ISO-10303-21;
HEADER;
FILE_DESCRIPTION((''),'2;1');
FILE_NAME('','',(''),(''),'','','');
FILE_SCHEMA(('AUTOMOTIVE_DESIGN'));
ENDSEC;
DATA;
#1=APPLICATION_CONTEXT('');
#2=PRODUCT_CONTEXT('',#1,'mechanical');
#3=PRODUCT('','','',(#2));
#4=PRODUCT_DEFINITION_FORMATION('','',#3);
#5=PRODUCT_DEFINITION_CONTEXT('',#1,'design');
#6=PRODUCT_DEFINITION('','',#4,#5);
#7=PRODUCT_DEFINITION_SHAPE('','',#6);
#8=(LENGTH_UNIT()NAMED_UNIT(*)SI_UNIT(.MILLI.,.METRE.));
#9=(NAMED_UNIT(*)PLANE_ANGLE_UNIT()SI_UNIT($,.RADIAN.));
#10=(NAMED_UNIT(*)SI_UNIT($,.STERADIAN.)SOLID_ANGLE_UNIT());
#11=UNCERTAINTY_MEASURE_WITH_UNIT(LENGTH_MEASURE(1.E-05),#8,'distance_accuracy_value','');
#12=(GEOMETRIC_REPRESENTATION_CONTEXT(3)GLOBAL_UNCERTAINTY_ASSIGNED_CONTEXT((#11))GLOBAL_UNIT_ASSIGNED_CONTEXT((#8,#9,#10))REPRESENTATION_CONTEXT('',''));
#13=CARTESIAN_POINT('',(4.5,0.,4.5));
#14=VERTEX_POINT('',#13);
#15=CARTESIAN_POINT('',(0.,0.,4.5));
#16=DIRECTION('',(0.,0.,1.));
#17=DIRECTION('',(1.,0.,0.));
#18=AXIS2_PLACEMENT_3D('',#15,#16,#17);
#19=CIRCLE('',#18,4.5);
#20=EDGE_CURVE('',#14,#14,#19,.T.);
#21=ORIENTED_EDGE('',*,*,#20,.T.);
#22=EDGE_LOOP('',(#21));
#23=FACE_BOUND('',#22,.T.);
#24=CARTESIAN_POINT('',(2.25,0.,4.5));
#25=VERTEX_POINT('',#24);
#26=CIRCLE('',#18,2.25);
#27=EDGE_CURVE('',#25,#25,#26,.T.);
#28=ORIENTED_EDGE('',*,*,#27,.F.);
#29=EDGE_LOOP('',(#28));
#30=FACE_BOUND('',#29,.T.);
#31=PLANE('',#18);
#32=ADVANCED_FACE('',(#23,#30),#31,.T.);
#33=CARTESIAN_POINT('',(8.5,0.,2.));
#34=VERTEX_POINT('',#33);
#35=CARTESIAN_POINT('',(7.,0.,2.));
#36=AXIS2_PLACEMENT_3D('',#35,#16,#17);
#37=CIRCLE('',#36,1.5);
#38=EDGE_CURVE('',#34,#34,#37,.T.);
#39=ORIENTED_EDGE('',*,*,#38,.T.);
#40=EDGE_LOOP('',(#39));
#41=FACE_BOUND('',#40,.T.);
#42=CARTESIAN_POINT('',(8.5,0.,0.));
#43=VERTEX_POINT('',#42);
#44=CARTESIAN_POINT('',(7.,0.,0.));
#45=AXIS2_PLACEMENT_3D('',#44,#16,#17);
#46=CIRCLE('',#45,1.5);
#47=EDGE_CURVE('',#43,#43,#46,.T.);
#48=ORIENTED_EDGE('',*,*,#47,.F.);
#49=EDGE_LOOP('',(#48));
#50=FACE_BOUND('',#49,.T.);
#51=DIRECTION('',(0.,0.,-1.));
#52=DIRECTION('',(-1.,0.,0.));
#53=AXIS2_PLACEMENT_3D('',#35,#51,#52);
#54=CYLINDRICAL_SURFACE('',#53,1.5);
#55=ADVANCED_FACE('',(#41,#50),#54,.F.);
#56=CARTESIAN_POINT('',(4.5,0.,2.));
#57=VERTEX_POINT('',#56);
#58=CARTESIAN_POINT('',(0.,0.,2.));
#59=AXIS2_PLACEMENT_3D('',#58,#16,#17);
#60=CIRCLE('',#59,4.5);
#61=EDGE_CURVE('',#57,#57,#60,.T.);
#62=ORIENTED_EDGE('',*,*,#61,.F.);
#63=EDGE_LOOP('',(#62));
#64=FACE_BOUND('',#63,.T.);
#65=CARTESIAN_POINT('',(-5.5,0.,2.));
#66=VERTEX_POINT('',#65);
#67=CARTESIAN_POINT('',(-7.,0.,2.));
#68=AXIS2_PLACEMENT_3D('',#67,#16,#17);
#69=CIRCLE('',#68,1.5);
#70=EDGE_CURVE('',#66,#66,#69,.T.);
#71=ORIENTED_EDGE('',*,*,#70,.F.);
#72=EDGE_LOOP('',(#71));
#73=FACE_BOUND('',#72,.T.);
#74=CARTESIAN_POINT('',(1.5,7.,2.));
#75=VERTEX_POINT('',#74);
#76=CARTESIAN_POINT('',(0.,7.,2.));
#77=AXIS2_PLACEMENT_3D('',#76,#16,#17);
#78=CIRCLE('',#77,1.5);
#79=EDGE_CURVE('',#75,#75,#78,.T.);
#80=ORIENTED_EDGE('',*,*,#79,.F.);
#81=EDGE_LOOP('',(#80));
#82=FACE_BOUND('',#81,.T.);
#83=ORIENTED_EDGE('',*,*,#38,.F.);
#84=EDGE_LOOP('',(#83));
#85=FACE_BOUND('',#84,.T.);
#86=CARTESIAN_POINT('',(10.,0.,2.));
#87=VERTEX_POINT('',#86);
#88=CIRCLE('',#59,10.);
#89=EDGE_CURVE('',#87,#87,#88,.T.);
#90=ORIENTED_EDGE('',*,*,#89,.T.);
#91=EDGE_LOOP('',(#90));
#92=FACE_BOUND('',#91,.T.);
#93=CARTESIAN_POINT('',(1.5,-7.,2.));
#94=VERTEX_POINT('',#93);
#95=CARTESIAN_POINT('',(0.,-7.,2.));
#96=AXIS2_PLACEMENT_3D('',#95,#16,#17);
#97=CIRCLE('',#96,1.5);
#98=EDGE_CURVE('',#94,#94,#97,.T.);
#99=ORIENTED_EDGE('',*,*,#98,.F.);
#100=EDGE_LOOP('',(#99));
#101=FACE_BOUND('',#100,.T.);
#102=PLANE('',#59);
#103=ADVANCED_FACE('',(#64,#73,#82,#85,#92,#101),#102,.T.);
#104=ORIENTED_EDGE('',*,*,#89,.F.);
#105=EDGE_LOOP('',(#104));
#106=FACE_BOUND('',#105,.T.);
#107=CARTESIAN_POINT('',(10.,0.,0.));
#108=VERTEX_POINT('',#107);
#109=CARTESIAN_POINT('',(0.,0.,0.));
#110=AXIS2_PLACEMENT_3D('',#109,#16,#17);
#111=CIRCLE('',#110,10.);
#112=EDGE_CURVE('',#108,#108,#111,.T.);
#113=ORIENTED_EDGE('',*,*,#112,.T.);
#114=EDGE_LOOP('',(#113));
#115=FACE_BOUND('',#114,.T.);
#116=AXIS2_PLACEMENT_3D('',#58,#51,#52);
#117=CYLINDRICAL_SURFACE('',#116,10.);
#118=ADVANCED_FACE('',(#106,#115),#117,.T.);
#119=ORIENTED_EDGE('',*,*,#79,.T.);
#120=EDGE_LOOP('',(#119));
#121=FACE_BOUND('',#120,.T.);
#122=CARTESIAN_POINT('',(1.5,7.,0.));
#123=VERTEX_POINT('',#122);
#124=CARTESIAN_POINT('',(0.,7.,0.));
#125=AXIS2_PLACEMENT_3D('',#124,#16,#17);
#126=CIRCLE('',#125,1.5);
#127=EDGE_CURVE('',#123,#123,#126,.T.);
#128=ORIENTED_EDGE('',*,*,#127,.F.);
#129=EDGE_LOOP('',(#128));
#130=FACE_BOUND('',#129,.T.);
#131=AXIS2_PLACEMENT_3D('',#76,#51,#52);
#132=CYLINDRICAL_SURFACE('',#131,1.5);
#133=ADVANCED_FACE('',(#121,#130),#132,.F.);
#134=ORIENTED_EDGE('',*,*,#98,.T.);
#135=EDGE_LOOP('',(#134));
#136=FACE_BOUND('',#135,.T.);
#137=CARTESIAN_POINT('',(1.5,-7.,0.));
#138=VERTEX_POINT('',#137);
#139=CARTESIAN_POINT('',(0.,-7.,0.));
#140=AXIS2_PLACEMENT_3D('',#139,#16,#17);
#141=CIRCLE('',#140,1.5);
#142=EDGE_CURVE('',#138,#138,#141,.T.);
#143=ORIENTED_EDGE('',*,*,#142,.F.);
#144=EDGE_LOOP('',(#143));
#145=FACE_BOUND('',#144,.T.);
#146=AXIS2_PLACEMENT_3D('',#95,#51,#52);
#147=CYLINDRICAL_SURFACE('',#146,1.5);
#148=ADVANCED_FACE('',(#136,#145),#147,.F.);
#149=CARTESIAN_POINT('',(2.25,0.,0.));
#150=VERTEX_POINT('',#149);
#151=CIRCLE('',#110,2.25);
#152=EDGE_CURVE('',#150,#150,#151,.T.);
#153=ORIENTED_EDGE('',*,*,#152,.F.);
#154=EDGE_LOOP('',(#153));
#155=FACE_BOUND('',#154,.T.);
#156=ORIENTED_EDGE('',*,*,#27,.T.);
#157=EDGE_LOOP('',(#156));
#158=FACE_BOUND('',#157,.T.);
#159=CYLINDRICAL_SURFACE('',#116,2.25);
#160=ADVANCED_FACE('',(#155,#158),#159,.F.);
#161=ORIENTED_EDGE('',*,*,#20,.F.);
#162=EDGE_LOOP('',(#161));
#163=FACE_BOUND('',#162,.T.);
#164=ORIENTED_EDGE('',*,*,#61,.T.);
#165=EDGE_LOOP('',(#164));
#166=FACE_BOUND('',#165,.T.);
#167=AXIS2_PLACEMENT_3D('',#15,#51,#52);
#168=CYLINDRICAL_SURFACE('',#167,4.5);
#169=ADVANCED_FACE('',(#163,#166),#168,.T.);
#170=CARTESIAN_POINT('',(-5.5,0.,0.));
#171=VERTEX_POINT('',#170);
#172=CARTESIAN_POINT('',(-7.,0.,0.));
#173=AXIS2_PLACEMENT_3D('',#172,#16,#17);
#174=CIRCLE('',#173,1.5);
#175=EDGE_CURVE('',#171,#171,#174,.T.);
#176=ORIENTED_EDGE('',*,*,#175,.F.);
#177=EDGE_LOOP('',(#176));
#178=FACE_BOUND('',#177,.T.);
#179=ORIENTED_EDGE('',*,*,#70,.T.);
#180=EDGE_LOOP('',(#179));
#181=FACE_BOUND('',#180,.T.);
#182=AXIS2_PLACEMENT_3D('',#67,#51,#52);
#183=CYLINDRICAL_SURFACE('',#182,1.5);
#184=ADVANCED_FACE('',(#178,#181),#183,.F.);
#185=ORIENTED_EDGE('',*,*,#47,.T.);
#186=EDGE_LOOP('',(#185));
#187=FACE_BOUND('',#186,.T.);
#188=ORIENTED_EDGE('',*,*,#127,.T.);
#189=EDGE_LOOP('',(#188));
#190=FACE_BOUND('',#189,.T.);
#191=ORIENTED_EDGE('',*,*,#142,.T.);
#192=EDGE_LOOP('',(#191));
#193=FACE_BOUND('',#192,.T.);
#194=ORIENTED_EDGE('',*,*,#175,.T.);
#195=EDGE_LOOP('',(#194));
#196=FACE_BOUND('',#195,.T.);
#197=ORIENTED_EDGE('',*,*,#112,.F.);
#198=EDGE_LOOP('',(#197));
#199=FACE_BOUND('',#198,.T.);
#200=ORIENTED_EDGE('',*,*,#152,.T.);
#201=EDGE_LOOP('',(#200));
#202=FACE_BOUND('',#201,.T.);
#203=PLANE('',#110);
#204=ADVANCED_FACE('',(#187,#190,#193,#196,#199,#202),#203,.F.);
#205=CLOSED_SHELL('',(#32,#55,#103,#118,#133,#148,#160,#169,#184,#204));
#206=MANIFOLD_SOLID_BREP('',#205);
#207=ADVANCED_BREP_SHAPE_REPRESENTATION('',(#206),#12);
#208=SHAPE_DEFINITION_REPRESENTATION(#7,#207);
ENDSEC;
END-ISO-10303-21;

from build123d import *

# Parameters (mm, degrees)
SKETCH_1_R      = 10
SKETCH_1_R_2    = 2.25
SKETCH_1_R_3    = 1.5
EXTRUDE_1_DEPTH = 2
SKETCH_2_R      = 4.5
SKETCH_2_R_2    = 2.25
EXTRUDE_2_DEPTH = 2.5


with BuildPart() as part:
    # 草图1 → 凸台-拉伸1 (new body)
    with BuildSketch(Plane.XY):
        Circle(SKETCH_1_R)
        Circle(SKETCH_1_R_2, mode=Mode.SUBTRACT)
        with Locations((7, 0)):
            Circle(SKETCH_1_R_3, mode=Mode.SUBTRACT)
        with Locations((0, -7)):
            Circle(SKETCH_1_R_3, mode=Mode.SUBTRACT)
        with Locations((-7, 0)):
            Circle(SKETCH_1_R_3, mode=Mode.SUBTRACT)
        with Locations((0, 7)):
            Circle(SKETCH_1_R_3, mode=Mode.SUBTRACT)
    extrude(amount=EXTRUDE_1_DEPTH)

    # 草图2 → 凸台-拉伸2 (add)
    with BuildSketch(Plane.XY.offset(2)):
        Circle(SKETCH_2_R)
        Circle(SKETCH_2_R_2, mode=Mode.SUBTRACT)
    extrude(amount=EXTRUDE_2_DEPTH)


solid = part.part
